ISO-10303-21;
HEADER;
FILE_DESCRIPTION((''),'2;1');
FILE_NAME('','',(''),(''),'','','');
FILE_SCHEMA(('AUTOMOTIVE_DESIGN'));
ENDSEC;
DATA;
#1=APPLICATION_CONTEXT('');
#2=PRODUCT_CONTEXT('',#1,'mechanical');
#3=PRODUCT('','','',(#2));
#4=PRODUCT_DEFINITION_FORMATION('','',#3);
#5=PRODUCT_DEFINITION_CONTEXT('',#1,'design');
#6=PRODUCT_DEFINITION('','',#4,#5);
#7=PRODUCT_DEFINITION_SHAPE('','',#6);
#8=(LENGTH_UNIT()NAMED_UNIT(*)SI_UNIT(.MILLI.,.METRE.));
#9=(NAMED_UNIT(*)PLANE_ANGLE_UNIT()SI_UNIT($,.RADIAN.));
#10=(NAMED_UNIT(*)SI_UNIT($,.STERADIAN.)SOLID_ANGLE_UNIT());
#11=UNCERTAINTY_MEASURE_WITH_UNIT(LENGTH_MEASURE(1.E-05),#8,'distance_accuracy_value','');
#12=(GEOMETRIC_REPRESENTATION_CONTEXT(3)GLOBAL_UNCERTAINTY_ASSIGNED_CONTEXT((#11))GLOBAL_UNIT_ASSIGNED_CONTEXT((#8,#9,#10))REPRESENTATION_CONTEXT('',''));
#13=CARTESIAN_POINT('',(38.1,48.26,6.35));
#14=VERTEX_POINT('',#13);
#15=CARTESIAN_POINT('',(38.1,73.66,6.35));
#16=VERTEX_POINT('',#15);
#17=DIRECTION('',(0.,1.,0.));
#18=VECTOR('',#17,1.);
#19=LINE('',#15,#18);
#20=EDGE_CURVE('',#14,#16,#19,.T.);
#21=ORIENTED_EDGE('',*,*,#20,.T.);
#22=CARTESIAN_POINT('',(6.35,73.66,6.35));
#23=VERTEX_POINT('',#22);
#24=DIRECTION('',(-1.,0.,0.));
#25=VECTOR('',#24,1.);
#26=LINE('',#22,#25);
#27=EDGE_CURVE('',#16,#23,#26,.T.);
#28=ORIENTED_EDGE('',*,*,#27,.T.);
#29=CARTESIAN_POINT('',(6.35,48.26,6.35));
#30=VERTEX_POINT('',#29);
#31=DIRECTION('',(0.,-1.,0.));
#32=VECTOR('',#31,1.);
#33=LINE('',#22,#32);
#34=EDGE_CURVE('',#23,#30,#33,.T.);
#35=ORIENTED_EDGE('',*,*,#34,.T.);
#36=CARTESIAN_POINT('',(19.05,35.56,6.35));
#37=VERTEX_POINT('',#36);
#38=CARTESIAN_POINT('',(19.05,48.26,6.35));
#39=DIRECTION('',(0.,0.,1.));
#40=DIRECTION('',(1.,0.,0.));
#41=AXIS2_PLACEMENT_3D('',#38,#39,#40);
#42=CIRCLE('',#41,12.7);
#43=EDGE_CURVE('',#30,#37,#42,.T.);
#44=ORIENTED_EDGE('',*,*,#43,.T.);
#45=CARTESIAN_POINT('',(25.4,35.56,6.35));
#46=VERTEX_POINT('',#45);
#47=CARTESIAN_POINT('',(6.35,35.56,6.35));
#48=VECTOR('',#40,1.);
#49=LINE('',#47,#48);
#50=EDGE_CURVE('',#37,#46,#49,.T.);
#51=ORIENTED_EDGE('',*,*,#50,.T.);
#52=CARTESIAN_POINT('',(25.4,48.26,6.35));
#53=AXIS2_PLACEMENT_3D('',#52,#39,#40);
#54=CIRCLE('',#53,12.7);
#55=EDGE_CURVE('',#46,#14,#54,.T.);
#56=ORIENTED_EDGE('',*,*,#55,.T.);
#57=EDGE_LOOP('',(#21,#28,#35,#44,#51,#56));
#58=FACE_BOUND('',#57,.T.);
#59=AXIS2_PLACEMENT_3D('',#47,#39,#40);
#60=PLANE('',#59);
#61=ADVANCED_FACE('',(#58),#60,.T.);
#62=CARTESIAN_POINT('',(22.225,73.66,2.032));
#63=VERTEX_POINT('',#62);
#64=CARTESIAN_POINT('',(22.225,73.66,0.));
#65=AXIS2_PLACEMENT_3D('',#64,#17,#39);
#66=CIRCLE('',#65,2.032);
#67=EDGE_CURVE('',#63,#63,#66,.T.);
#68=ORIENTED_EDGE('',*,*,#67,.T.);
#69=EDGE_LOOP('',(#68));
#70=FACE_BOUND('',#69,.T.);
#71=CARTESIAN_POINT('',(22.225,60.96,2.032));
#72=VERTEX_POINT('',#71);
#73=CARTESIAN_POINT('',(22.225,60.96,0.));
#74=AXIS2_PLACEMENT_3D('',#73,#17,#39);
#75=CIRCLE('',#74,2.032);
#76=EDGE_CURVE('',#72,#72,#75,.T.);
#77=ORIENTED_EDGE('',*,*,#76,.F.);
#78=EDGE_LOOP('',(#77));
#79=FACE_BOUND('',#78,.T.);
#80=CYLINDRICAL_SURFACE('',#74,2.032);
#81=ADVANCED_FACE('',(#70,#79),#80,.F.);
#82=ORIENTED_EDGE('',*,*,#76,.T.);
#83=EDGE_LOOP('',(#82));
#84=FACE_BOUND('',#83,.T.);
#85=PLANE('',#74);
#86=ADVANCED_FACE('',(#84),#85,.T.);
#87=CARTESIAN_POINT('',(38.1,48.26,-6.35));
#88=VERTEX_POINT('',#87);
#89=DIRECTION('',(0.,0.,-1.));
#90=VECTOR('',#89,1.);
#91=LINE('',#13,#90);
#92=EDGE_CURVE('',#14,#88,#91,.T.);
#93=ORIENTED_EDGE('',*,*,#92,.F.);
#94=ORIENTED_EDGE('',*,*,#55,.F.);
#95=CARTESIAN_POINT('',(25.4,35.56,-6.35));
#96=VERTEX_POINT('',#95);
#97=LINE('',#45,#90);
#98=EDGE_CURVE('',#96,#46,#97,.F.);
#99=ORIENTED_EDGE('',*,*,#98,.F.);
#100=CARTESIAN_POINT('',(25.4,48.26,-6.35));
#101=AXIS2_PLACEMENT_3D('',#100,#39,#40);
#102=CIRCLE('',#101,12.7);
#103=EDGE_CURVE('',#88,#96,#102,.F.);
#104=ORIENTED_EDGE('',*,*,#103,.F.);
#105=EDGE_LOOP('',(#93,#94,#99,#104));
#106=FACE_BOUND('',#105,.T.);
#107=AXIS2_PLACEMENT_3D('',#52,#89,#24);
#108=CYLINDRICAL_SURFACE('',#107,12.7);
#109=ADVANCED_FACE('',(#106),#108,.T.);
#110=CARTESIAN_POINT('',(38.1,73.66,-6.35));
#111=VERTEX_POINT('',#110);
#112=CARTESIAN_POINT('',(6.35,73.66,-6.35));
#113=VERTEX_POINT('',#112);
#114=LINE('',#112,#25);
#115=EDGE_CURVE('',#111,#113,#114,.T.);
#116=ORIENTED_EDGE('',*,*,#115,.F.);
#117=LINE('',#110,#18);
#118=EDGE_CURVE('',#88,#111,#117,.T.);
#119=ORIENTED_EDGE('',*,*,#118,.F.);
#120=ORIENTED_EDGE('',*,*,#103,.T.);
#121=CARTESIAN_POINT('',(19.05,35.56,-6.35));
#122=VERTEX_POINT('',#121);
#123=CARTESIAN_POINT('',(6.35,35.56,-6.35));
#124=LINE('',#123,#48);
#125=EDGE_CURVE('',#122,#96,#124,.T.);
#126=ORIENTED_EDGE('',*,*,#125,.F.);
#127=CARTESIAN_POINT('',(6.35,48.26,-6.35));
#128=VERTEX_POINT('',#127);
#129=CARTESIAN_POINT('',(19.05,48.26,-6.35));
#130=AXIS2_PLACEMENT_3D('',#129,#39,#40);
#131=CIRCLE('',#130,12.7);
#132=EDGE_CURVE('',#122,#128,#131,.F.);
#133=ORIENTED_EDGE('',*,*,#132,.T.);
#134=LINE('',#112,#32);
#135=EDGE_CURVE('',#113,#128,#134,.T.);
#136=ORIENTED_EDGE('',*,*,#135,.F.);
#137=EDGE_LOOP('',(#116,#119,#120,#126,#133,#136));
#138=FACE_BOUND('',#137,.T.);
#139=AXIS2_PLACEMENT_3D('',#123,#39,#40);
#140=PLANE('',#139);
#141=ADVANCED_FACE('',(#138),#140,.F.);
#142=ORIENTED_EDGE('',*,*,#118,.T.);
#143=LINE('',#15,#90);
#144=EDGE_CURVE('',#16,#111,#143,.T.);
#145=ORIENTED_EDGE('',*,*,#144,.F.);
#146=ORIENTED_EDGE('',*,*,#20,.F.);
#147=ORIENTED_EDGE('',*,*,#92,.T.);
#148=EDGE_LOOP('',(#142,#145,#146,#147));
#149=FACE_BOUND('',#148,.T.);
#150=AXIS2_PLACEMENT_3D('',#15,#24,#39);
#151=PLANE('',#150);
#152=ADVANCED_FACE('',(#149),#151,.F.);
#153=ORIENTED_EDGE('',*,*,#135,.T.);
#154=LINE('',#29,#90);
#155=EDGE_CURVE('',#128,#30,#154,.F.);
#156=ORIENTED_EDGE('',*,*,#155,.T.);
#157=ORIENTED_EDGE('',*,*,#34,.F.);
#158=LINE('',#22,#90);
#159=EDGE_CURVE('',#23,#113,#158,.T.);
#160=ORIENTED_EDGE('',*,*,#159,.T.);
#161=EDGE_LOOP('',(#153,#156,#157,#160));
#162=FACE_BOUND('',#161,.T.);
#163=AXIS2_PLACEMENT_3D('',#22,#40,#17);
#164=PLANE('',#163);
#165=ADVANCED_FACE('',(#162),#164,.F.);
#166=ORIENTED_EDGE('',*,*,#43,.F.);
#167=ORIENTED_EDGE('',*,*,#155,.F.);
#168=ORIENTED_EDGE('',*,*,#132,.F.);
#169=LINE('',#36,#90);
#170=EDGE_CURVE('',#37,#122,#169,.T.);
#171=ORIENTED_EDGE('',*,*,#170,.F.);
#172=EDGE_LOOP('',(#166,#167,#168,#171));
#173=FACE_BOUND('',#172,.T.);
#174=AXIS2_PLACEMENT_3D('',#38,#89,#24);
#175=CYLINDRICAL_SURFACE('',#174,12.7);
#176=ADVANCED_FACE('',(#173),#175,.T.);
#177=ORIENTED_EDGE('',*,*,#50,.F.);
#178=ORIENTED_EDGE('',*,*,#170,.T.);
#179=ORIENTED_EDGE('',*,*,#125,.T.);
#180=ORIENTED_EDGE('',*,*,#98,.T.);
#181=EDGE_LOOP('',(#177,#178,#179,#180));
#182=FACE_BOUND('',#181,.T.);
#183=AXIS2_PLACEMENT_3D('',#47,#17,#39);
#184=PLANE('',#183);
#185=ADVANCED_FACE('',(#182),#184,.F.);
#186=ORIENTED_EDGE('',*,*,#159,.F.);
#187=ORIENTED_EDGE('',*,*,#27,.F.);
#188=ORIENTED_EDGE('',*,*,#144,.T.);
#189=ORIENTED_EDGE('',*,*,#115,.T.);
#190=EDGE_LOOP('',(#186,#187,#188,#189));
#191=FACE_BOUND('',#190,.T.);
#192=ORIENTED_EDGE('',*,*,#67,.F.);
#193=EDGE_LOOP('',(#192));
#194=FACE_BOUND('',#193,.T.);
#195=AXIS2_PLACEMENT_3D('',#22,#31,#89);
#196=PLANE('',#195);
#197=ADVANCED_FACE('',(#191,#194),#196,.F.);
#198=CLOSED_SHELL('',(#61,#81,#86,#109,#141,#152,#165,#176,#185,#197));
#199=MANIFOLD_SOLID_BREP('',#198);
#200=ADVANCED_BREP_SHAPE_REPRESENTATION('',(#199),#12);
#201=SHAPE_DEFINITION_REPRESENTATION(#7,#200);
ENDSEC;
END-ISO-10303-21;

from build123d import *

# Parameters (mm, degrees)
SKETCH1_W          = 31.75
SKETCH1_H          = 38.1
EXTRUDE1_DEPTH     = 6.35
FILLET1_R          = 12.7
SKETCH2_R          = 2.032
CUT_EXTRUDE1_DEPTH = 12.7


with BuildPart() as part:
    # Sketch1 → Extrude1 (new, symmetric)
    with BuildSketch(Plane.XY):
        with Locations((22.225, 54.61)):
            Rectangle(SKETCH1_W, SKETCH1_H)
    extrude(amount=EXTRUDE1_DEPTH, both=True)

    # Fillet1
    fillet1_edges = [part.edges().sort_by_distance(p)[0] for p in [
        (38.1, 35.56, 0),
        (6.35, 35.56, 0),
    ]]
    fillet(fillet1_edges, radius=FILLET1_R)

    # Sketch2 → Cut-Extrude1 (cut)
    with BuildSketch(Plane(origin=(0, 73.66, 0), x_dir=(-1, 0, 0), z_dir=(0, 1, 0))):
        with Locations(Location((-22.225, 0, 0), (0, 0, 90))):
            Circle(SKETCH2_R)
    extrude(amount=-CUT_EXTRUDE1_DEPTH, mode=Mode.SUBTRACT)


solid = part.part
